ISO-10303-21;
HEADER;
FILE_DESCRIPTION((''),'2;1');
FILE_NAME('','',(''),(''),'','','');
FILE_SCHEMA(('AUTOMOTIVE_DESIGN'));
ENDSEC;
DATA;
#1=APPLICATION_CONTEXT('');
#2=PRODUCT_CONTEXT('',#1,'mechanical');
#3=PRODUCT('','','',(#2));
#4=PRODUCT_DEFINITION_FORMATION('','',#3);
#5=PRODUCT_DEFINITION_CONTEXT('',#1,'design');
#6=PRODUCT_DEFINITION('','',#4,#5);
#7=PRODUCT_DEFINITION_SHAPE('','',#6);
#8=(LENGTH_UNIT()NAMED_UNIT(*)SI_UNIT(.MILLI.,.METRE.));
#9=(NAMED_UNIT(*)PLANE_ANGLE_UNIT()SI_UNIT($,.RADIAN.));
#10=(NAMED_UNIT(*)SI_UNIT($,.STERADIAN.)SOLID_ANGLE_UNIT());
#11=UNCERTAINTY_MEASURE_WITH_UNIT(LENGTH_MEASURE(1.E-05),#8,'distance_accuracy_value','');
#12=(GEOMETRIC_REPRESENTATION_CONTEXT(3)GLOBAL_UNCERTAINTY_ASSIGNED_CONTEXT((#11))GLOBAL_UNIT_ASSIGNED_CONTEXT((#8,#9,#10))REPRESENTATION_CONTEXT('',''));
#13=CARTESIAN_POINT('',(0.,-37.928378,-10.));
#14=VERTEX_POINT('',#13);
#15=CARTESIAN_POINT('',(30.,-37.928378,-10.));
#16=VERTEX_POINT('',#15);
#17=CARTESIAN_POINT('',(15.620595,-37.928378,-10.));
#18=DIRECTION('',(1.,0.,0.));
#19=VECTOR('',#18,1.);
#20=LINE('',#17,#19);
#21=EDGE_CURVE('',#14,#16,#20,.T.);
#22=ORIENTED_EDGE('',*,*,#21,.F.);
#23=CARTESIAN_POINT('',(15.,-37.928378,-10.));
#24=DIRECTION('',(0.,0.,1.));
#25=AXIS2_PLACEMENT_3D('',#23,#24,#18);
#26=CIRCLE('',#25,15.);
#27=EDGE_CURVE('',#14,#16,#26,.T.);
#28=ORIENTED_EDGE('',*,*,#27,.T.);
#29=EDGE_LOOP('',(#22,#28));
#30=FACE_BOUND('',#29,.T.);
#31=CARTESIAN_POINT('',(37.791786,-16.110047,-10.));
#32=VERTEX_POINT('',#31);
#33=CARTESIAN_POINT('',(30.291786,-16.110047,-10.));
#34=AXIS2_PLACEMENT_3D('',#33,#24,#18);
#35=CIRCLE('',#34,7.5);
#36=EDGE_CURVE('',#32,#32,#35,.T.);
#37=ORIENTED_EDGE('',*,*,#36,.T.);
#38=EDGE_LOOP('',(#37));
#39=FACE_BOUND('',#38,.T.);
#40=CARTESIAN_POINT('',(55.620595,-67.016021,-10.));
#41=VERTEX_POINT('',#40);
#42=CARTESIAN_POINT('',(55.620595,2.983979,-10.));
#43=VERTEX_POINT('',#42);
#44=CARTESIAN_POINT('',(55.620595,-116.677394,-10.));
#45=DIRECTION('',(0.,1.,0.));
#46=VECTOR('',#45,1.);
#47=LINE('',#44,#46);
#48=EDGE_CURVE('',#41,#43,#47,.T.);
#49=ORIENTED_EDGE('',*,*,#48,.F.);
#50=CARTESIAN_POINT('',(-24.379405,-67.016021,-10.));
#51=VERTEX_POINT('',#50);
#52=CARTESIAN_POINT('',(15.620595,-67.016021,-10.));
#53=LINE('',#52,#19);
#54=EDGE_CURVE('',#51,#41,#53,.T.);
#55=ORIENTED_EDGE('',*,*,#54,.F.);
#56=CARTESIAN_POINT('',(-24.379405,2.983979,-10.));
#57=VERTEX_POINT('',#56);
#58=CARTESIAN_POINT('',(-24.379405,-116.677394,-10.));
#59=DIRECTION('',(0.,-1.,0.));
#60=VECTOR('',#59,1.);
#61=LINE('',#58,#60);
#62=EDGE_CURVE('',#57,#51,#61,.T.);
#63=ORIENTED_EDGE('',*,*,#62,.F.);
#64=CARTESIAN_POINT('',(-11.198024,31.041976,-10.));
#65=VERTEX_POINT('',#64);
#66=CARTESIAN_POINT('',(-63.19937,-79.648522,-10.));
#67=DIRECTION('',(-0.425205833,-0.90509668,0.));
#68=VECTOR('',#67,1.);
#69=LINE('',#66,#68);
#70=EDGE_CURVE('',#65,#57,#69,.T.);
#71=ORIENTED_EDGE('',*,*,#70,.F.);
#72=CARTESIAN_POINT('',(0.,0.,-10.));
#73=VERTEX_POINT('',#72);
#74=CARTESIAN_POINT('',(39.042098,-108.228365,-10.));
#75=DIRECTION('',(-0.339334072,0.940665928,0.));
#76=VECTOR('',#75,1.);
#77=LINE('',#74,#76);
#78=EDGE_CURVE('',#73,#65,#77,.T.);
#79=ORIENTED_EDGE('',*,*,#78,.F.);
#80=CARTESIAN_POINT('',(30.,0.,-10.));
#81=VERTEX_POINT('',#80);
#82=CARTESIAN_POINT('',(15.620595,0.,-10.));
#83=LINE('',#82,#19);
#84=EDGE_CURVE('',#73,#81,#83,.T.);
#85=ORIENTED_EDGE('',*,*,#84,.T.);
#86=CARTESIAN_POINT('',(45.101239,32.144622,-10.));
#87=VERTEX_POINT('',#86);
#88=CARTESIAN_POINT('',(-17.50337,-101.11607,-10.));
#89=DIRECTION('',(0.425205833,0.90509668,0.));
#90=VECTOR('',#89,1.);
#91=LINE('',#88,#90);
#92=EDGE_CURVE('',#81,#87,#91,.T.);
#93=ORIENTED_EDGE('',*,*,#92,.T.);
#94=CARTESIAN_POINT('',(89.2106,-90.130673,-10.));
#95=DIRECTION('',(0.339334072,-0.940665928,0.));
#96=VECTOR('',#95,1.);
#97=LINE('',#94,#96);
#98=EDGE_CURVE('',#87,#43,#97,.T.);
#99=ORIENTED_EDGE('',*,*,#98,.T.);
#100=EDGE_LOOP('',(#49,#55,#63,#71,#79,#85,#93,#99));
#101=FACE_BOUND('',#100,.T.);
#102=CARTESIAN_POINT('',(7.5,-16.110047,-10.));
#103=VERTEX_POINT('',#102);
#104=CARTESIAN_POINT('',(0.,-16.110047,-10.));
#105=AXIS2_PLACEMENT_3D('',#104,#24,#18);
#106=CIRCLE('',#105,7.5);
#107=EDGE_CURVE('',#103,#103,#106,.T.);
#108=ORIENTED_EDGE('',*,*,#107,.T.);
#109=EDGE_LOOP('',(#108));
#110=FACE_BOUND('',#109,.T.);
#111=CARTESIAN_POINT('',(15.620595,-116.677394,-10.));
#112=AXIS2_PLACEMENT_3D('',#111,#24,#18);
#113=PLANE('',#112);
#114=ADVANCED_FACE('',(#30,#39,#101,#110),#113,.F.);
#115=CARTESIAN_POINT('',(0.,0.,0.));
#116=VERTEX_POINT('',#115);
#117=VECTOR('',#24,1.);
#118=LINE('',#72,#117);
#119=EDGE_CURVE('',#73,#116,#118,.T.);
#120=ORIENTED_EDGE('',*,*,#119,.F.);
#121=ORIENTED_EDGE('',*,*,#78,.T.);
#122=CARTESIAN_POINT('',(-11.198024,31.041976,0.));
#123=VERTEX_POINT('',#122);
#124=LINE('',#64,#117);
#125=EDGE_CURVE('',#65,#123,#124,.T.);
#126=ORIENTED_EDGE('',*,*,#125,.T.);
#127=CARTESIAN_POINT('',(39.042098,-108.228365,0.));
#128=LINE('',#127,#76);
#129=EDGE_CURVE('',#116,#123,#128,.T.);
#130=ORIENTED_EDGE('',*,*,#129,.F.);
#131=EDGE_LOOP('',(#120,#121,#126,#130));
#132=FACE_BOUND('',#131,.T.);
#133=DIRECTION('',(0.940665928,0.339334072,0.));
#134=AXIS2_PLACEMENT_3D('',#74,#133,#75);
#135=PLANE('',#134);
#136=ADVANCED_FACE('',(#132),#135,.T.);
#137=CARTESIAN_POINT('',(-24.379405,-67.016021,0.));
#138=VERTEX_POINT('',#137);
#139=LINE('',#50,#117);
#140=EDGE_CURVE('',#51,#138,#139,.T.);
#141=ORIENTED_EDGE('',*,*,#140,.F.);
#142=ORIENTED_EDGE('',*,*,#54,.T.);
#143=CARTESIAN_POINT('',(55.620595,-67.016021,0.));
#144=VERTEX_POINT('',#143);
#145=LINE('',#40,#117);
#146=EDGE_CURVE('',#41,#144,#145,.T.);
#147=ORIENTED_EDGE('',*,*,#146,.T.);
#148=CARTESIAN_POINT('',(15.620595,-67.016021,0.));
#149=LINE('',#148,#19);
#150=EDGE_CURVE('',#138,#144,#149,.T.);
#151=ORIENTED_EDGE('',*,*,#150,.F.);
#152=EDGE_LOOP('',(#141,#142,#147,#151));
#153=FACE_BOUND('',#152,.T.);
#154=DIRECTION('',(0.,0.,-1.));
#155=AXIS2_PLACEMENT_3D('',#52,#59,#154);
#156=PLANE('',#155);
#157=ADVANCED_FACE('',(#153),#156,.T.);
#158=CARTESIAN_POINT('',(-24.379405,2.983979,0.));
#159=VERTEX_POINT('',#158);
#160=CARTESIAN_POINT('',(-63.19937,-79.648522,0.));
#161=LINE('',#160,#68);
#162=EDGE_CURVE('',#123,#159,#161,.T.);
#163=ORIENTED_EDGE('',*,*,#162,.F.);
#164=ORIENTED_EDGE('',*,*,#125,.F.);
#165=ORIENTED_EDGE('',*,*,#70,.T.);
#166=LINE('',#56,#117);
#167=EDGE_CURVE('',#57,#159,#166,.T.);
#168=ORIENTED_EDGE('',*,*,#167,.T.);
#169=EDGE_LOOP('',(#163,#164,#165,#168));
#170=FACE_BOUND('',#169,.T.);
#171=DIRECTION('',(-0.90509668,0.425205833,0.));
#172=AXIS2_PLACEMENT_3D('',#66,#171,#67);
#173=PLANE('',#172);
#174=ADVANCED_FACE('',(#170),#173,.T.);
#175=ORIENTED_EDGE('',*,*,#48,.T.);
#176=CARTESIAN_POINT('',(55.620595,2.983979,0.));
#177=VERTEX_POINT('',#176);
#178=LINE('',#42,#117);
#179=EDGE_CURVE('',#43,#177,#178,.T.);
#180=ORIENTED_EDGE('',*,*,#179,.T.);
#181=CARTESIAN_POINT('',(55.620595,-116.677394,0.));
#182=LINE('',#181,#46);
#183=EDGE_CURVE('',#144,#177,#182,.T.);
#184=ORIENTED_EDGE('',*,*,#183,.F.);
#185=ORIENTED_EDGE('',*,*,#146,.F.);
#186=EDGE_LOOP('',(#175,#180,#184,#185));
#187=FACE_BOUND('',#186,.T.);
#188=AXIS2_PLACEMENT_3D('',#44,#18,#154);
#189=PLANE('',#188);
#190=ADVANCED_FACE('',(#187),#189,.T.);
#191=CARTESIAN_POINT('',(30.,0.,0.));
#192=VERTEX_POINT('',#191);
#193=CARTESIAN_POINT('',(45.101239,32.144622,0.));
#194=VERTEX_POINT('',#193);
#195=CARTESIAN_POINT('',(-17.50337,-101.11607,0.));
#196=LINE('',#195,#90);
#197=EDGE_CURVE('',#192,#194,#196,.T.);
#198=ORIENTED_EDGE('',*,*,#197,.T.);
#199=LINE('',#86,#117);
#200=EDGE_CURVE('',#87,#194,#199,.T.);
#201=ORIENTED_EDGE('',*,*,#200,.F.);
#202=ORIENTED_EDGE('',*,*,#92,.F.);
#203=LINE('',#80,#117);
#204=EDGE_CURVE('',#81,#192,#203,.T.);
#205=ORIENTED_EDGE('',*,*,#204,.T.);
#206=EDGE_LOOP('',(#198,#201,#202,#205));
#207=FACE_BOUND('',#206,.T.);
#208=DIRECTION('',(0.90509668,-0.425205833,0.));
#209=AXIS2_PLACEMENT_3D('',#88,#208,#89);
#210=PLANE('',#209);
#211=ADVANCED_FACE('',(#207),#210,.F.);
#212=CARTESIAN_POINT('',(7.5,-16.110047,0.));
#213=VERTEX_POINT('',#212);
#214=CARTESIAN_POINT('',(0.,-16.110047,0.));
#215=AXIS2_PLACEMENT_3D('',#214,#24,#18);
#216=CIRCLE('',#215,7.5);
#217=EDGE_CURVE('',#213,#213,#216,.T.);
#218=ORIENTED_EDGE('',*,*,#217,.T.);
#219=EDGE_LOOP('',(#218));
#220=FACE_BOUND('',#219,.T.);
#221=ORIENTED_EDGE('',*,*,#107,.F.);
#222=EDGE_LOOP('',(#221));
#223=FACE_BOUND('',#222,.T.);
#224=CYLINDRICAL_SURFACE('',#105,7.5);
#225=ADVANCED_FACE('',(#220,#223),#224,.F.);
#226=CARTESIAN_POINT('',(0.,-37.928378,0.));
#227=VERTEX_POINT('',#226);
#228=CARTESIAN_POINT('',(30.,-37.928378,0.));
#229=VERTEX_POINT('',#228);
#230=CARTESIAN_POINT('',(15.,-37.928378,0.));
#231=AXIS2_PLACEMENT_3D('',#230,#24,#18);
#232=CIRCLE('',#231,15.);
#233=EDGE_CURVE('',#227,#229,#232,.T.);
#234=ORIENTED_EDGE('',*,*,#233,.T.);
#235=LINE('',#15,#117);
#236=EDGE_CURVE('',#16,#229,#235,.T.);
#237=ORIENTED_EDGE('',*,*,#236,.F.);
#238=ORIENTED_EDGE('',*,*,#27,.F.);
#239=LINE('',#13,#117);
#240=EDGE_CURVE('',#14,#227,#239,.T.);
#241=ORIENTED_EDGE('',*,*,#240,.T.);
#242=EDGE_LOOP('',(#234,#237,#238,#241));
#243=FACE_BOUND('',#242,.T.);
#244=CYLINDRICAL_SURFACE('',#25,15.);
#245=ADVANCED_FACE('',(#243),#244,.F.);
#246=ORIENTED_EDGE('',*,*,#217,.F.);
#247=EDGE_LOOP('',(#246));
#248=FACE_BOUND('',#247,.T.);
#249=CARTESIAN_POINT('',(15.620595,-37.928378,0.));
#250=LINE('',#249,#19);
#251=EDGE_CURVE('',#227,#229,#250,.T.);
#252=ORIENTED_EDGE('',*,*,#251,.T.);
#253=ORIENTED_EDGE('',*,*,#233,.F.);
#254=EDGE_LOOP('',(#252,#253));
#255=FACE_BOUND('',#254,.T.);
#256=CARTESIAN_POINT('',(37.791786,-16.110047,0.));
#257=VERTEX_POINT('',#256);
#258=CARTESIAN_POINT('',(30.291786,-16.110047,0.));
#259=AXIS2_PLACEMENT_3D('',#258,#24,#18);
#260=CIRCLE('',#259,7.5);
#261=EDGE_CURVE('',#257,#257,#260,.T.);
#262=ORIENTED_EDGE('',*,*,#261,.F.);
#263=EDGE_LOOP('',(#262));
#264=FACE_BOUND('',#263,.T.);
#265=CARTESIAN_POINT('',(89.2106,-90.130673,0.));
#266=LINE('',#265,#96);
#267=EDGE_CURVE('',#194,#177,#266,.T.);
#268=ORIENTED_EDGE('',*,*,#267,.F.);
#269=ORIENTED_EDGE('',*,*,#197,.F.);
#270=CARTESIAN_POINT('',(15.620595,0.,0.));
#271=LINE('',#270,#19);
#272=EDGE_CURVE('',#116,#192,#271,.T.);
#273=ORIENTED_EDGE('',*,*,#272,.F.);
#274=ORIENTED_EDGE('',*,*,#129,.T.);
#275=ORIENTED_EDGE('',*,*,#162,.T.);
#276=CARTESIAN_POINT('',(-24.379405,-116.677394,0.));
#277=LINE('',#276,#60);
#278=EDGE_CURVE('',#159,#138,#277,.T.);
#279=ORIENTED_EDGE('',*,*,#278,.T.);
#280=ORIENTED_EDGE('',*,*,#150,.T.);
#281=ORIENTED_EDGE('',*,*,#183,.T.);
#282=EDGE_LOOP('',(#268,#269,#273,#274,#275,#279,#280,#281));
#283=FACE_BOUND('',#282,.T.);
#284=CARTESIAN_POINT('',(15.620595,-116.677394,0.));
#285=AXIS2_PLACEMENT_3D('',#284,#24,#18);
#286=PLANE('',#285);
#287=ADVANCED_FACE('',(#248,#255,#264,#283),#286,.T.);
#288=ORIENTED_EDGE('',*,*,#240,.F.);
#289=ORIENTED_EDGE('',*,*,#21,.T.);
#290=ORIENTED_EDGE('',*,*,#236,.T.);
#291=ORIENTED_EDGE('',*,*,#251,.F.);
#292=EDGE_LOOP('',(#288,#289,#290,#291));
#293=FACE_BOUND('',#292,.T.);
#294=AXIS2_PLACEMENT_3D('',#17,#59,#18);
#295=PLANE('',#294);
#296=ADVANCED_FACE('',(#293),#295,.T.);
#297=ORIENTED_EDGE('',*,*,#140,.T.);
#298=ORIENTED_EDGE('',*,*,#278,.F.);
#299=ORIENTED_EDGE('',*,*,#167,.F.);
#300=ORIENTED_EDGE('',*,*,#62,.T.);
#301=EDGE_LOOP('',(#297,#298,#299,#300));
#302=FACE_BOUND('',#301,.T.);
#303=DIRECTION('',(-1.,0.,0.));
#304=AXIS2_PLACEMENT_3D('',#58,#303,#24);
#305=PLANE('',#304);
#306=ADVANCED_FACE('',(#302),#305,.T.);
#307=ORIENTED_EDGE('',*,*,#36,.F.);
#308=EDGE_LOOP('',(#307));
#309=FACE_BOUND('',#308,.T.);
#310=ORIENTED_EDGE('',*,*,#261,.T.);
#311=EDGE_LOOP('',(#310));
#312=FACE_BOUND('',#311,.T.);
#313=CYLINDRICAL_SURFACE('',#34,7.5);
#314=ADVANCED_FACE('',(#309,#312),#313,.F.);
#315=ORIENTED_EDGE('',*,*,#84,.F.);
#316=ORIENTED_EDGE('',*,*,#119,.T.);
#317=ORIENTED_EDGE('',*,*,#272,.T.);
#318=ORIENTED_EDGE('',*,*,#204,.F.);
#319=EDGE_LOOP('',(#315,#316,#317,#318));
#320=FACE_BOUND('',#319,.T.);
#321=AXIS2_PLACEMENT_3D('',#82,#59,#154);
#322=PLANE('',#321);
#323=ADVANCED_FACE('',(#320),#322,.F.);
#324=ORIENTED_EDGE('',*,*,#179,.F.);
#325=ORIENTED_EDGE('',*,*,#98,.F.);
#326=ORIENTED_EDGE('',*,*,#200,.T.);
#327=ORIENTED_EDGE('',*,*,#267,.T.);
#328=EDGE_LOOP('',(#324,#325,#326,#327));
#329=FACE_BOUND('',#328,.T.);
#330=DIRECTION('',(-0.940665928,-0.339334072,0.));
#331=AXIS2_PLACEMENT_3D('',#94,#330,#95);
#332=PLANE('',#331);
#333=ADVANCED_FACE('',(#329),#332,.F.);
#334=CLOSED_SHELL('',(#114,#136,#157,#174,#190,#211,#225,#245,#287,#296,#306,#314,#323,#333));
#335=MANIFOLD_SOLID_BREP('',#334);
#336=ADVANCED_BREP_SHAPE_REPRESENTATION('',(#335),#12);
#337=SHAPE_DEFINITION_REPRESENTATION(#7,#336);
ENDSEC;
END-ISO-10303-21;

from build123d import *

# Parameters (mm, degrees)
SKETCH_1_R      = 7.5
EXTRUDE_1_DEPTH = 10


with BuildPart() as part:
    # 草圖1 → 填料-伸長1 (new body)
    with BuildSketch(Plane.XY):
        Polygon((-24.379405198, -67.016021468), (55.620594802, -67.016021468), (55.620594802, 2.983978532), (45.101238557, 32.144622287), (30, 0), (0, 0), (-11.19802439, 31.04197561), (-24.379405198, 2.983978532), align=None)
        with Locations((30.291786216, -16.110047004)):
            Circle(SKETCH_1_R, mode=Mode.SUBTRACT)
        with Locations((0, -16.110047004)):
            Circle(SKETCH_1_R, mode=Mode.SUBTRACT)
        with BuildLine():
            ThreePointArc((0, -37.928378378), (15, -52.928378378), (30, -37.928378378))
            Line((30, -37.928378378), (0, -37.928378378))
        make_face(mode=Mode.SUBTRACT)
    extrude(amount=-EXTRUDE_1_DEPTH)


solid = part.part
